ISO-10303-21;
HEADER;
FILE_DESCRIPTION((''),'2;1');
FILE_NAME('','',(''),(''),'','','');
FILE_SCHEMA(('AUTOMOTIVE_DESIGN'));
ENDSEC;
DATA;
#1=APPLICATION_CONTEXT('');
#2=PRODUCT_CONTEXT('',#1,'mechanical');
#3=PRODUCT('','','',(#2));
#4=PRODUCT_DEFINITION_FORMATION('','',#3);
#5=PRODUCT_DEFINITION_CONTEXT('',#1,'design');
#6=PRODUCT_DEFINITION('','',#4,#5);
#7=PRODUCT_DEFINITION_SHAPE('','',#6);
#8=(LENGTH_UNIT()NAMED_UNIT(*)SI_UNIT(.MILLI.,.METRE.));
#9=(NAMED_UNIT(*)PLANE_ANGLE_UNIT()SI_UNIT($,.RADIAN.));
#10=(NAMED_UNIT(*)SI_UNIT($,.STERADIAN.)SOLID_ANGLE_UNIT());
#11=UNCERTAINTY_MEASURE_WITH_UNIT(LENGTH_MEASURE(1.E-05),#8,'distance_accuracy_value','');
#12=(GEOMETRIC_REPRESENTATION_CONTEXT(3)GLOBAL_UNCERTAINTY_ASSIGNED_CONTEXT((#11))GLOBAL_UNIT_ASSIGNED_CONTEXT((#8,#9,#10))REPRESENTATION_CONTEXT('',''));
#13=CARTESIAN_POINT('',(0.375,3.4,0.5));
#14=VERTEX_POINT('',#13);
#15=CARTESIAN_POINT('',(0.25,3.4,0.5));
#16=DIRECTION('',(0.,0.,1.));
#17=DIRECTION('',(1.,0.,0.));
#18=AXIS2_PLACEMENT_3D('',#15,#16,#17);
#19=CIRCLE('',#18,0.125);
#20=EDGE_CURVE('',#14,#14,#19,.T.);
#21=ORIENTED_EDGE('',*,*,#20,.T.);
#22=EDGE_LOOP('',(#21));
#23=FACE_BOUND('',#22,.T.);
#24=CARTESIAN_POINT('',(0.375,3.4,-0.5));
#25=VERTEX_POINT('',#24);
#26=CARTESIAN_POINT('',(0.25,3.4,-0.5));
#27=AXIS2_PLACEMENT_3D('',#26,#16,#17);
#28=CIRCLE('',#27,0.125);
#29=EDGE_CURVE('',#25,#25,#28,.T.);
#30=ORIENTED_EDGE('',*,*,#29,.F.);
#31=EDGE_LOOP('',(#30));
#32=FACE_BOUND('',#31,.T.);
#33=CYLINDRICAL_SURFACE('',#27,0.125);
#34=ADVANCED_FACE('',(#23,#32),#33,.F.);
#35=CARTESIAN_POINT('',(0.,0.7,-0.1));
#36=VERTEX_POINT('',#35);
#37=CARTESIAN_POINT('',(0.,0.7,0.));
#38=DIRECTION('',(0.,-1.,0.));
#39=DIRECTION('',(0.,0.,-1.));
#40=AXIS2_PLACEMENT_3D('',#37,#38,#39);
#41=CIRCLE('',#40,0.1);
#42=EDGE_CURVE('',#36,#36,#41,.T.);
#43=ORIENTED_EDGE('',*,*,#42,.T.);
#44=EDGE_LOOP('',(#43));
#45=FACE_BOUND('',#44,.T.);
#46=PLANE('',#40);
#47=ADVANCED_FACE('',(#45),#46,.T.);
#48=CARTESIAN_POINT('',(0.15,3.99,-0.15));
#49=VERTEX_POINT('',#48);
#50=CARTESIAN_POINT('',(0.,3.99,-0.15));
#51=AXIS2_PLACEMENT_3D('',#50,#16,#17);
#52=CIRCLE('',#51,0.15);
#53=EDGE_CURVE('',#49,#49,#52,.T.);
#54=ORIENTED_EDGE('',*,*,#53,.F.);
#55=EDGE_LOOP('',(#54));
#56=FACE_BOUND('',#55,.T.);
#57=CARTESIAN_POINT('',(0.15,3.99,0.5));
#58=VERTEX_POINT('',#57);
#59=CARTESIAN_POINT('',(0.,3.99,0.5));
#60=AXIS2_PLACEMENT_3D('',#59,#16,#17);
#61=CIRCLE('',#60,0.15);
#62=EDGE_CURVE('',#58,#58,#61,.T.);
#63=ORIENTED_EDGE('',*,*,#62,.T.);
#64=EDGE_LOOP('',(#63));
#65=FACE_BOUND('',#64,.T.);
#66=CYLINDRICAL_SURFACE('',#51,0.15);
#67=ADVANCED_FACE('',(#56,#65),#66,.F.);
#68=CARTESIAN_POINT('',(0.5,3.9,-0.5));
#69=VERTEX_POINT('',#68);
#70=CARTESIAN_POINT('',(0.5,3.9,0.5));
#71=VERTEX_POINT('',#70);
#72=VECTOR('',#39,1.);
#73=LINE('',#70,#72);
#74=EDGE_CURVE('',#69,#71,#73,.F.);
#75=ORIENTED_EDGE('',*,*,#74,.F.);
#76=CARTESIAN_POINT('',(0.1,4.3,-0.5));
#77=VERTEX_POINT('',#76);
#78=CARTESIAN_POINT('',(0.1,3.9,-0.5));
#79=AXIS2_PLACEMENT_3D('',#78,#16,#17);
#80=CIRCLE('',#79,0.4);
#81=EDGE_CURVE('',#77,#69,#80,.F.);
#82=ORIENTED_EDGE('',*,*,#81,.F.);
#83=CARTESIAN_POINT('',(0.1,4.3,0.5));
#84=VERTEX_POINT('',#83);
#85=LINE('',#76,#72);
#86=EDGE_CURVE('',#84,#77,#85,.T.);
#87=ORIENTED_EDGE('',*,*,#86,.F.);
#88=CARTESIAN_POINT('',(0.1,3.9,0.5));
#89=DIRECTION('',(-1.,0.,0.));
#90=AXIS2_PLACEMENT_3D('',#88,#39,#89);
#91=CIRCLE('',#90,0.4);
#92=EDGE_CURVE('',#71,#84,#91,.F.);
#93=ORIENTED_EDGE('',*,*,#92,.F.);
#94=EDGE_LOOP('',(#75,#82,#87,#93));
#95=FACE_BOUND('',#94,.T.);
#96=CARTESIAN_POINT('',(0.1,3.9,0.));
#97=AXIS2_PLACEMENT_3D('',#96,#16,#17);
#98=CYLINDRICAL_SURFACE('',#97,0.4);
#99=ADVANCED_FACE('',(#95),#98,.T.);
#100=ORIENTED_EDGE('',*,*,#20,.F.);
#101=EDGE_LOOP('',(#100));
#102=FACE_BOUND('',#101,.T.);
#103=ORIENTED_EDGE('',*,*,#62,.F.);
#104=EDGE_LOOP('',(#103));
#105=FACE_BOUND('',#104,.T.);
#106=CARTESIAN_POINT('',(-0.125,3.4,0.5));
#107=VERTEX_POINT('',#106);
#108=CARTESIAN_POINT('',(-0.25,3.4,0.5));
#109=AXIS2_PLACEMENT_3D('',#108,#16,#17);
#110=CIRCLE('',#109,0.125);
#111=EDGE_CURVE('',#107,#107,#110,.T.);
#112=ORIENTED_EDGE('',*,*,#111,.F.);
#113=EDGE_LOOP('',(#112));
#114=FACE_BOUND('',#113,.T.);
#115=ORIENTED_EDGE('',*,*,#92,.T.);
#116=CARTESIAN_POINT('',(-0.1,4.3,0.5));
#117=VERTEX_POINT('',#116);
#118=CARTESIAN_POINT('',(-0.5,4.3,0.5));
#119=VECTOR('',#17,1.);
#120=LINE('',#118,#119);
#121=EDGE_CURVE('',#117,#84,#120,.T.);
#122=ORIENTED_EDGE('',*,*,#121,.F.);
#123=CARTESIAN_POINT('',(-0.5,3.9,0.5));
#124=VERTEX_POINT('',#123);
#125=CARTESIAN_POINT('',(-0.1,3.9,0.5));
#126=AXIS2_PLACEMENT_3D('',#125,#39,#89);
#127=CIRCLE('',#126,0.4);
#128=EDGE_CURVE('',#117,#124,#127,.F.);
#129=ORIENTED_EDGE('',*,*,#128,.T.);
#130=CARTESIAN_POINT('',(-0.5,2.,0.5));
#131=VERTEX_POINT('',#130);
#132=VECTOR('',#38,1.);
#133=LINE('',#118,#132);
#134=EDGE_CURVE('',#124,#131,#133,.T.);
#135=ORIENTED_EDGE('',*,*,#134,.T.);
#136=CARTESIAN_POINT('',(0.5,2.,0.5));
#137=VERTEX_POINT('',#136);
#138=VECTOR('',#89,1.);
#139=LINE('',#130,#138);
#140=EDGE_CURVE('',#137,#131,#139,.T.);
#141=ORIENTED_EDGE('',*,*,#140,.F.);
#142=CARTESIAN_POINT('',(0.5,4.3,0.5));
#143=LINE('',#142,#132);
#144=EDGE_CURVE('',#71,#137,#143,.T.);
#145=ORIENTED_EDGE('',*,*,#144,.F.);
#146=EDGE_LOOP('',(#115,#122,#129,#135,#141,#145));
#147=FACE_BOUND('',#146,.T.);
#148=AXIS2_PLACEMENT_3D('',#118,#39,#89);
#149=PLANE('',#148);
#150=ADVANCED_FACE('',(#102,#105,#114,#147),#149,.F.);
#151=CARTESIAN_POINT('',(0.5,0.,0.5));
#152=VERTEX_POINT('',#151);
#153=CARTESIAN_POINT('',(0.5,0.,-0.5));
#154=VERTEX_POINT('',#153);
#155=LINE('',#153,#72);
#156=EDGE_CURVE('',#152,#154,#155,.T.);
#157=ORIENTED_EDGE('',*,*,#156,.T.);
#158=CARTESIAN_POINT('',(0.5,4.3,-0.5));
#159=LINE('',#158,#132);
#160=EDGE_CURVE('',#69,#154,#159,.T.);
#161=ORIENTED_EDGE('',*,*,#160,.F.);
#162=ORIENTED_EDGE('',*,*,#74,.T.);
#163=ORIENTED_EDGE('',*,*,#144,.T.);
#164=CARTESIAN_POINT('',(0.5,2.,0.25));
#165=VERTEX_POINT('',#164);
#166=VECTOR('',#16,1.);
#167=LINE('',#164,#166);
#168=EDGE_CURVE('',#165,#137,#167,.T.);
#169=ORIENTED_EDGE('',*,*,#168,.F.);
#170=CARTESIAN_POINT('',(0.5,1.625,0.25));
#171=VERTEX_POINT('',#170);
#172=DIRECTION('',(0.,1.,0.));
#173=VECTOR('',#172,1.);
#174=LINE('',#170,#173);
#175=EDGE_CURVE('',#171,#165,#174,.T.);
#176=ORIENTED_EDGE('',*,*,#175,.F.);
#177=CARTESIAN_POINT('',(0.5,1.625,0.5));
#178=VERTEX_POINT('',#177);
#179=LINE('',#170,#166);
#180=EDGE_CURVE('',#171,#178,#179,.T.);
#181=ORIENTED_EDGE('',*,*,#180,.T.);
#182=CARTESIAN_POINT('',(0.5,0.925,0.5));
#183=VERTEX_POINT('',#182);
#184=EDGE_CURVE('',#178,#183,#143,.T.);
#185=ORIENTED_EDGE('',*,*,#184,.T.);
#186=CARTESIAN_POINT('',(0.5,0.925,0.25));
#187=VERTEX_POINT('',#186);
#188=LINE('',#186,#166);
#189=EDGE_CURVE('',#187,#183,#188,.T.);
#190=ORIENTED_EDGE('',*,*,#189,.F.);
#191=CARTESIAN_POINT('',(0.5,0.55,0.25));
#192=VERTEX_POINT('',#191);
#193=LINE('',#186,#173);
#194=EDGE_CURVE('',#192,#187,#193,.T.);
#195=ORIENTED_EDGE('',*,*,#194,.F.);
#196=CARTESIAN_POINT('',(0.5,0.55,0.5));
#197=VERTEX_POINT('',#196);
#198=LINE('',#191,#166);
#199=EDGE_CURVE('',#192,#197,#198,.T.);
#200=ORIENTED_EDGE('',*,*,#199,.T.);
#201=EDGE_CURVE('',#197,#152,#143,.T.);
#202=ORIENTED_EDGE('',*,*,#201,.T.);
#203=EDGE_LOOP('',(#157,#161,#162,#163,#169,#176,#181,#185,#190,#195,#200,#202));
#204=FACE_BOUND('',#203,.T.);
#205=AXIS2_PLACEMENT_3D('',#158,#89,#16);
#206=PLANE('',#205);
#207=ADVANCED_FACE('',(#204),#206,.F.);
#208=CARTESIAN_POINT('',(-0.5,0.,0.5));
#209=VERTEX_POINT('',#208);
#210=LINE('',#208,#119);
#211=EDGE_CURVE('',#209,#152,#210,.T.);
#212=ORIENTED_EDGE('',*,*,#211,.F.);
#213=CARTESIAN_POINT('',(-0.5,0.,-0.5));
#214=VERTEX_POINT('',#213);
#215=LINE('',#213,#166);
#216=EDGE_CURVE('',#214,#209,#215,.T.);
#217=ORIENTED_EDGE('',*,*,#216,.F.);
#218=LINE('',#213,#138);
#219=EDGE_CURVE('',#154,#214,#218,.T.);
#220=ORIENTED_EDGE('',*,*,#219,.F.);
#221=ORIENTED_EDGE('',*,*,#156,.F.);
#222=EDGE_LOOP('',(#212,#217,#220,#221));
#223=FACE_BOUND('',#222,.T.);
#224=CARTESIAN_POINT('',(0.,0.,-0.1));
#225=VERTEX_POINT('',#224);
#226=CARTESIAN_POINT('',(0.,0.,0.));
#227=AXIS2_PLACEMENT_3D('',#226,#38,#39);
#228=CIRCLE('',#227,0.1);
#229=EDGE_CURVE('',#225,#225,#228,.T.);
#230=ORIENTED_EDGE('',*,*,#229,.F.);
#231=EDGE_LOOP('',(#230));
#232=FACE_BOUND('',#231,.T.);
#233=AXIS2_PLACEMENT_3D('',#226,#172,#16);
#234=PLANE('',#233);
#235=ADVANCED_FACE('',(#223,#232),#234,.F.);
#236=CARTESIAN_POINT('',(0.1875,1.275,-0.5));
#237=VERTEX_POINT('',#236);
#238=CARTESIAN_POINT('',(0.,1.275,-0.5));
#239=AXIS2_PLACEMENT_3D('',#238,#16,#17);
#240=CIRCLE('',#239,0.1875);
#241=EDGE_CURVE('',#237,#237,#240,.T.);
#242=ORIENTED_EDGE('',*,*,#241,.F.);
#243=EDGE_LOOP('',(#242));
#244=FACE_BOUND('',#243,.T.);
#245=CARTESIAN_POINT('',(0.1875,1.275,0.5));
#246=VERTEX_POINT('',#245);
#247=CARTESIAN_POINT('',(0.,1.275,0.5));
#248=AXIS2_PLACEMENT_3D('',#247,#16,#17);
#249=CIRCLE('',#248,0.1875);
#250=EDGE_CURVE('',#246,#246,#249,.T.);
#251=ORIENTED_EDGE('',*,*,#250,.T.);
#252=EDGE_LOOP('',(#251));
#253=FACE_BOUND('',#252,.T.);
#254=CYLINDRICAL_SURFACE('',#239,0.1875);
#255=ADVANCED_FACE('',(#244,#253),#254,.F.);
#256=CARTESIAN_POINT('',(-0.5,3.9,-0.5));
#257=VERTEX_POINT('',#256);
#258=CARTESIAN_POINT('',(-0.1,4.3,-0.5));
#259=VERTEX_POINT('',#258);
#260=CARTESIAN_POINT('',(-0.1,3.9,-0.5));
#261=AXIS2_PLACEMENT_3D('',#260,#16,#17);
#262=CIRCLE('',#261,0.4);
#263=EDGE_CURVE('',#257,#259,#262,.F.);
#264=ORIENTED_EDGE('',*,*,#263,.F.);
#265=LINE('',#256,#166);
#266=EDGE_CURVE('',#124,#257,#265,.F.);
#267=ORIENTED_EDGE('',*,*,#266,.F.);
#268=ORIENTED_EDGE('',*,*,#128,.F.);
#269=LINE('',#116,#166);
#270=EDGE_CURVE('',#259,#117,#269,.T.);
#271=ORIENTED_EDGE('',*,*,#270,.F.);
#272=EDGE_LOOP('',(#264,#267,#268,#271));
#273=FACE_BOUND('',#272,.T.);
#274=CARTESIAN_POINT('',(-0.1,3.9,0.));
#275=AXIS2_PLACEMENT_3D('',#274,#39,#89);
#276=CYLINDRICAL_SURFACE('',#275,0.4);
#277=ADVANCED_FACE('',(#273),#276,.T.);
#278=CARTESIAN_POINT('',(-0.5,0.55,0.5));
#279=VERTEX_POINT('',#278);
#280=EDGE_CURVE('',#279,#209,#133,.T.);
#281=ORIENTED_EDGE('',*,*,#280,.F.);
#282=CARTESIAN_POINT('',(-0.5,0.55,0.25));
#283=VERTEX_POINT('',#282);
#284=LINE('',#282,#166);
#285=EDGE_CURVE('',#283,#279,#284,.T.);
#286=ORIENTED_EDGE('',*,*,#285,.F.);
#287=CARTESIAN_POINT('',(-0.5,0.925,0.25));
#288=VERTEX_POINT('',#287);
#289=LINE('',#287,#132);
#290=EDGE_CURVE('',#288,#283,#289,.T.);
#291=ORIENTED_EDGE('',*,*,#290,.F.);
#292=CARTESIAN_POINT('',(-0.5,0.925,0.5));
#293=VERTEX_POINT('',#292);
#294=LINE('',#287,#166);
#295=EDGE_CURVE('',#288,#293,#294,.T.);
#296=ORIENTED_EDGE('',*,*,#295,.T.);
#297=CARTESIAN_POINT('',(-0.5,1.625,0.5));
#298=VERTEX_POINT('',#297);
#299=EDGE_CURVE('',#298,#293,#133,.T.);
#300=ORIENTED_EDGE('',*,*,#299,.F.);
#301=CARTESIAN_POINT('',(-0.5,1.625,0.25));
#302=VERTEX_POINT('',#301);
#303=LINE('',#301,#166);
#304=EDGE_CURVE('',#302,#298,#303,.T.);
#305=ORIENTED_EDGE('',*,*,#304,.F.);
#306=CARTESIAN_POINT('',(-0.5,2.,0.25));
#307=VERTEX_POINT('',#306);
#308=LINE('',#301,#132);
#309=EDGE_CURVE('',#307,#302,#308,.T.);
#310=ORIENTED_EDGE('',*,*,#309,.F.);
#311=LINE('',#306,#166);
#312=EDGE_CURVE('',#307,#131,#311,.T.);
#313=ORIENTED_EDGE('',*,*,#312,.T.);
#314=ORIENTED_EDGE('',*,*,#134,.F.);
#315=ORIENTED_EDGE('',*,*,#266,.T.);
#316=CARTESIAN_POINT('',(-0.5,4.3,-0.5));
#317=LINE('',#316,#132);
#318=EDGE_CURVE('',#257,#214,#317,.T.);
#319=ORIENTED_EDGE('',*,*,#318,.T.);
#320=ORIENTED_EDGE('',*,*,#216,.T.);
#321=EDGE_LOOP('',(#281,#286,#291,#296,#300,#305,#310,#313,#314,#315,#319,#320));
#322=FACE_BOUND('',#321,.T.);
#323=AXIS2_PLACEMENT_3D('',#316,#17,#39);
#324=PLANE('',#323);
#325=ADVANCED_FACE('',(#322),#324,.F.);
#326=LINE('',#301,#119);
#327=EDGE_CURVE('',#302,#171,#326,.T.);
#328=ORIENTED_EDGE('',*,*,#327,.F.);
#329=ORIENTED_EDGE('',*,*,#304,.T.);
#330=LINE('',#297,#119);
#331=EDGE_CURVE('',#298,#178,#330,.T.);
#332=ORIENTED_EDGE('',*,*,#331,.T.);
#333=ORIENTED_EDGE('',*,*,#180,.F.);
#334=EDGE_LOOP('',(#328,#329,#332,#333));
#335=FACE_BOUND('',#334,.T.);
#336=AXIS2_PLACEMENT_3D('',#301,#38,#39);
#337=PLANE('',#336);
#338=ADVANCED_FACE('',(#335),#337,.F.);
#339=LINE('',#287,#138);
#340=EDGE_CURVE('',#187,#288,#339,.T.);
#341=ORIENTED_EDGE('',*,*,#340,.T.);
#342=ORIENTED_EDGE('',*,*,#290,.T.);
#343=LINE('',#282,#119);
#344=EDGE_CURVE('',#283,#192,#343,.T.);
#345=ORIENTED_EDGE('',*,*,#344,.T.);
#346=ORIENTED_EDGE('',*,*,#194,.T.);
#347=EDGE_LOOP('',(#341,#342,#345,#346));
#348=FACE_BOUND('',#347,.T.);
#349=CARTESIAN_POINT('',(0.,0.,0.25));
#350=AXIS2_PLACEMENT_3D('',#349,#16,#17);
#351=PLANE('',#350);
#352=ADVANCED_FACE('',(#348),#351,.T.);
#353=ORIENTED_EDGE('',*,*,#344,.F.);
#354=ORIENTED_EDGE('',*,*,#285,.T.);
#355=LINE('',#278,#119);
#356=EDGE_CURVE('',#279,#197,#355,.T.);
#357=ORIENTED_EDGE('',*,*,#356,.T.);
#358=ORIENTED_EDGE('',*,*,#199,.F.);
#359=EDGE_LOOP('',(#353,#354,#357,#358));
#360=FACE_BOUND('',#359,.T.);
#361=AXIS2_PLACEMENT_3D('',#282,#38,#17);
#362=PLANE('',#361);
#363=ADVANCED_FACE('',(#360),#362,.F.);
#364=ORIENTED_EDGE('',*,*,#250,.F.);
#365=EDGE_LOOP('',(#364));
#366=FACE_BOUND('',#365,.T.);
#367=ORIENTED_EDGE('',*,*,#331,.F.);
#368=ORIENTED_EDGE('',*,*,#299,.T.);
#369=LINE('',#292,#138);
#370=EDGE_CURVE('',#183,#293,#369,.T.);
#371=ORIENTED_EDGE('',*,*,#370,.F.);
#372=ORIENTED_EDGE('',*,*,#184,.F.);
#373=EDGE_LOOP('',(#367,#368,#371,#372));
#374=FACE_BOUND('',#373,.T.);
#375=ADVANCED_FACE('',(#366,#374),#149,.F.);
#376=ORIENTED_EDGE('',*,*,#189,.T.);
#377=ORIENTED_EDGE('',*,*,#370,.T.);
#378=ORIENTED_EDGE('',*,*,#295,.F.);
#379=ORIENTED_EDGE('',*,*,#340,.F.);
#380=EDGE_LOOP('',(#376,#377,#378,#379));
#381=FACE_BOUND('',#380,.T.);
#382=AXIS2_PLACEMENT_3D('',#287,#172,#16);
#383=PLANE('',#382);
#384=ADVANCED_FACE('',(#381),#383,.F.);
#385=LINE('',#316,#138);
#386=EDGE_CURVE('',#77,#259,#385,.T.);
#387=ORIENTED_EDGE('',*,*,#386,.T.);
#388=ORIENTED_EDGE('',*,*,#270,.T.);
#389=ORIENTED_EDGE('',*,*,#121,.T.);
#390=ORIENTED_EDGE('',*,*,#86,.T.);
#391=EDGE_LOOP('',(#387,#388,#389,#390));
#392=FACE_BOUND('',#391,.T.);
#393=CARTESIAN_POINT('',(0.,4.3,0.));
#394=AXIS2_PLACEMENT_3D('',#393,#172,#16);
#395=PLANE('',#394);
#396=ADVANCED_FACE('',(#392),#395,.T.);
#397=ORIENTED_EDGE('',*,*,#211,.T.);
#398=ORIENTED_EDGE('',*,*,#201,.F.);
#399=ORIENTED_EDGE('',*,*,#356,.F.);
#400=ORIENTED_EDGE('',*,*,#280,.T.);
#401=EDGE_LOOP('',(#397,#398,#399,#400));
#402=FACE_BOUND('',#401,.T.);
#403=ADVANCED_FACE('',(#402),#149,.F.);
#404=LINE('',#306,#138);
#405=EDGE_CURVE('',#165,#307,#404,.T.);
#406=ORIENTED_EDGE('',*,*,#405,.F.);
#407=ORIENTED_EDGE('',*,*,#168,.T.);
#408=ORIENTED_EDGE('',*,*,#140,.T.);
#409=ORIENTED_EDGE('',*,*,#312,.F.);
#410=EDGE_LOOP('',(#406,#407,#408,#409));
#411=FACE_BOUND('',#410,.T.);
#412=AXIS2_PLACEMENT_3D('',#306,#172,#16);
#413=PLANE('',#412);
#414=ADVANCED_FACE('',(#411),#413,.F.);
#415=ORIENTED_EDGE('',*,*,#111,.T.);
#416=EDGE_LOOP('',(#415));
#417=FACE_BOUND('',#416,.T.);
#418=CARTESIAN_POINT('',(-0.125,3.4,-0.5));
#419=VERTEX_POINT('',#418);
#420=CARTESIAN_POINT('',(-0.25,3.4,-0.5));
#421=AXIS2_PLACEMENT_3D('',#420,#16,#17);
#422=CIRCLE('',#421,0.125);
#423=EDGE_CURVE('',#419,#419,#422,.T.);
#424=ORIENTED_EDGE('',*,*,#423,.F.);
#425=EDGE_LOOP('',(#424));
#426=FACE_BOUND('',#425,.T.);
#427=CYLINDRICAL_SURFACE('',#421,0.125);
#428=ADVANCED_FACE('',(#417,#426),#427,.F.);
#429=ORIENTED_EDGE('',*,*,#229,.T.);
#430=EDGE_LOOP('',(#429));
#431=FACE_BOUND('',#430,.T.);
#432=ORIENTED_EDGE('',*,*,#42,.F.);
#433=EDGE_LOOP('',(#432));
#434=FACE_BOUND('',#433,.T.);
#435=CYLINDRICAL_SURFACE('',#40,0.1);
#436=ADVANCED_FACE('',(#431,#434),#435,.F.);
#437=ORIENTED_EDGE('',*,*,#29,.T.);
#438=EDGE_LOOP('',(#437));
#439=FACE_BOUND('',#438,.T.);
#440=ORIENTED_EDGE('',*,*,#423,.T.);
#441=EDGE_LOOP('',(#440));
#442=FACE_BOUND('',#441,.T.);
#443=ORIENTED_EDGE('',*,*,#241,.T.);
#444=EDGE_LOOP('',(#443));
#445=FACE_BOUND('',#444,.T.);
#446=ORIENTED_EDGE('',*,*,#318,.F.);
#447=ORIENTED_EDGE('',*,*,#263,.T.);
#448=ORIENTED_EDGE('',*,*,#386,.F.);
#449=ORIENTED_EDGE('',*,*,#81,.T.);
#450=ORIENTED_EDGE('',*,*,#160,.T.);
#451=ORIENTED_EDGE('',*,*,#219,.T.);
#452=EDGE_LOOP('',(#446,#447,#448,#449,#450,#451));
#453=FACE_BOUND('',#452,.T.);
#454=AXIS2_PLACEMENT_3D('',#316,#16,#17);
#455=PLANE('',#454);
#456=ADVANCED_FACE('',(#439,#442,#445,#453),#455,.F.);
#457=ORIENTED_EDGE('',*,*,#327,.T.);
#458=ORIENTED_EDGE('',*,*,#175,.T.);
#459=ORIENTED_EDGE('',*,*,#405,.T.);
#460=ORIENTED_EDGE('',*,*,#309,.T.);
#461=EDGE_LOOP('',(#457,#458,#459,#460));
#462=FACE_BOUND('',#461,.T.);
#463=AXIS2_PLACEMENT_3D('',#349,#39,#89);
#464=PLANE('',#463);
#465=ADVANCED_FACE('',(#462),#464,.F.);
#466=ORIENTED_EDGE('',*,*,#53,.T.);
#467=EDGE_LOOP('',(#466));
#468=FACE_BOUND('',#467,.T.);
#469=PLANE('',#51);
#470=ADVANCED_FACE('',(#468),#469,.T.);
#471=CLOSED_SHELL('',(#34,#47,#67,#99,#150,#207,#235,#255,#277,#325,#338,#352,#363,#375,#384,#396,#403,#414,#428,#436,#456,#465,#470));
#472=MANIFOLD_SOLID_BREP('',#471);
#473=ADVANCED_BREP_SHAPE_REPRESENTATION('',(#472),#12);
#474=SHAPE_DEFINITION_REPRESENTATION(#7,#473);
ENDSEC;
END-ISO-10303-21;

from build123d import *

# Parameters (mm, degrees)
SKETCH2_W           = 1
SKETCH2_H           = 1
BOSS_EXTRUDE1_DEPTH = 4.3
SKETCH3_R           = 0.1
CUT_EXTRUDE1_DEPTH  = 0.7
SKETCH4_W           = 1
SKETCH4_H           = 0.375
CUT_EXTRUDE2_DEPTH  = 0.25
SKETCH5_R           = 0.1875
CUT_EXTRUDE3_DEPTH  = 1
SKETCH7_R           = 0.15
CUT_EXTRUDE6_DEPTH  = 0.65
SKETCH8_R           = 0.125
CUT_EXTRUDE7_DEPTH  = 1
FILLET1_R           = 0.4
SKETCH6_W           = 1
SKETCH6_H           = 0.375
CUT_EXTRUDE8_DEPTH  = 0.25


with BuildPart() as part:
    # Sketch2 → Boss-Extrude1 (new body)
    with BuildSketch(Plane(origin=(0, 0, 0), x_dir=(1, 0, 0), z_dir=(0, 1, 0))):
        Rectangle(SKETCH2_W, SKETCH2_H)
    extrude(amount=BOSS_EXTRUDE1_DEPTH)

    # Sketch3 → Cut-Extrude1 (cut)
    with BuildSketch(Plane.XZ):
        with Locations(Location((0, 0, 0), (0, 0, 270))):
            Circle(SKETCH3_R)
    extrude(amount=-CUT_EXTRUDE1_DEPTH, mode=Mode.SUBTRACT)

    # Sketch4 → Cut-Extrude2 (cut)
    with BuildSketch(Plane.XY.offset(0.5)):
        with Locations((0, 1.8125)):
            Rectangle(SKETCH4_W, SKETCH4_H)
    extrude(amount=-CUT_EXTRUDE2_DEPTH, mode=Mode.SUBTRACT)

    # Sketch5 → Cut-Extrude3 (cut)
    with BuildSketch(Plane.XY.offset(0.5)):
        with Locations((0, 1.275)):
            Circle(SKETCH5_R)
    extrude(amount=-CUT_EXTRUDE3_DEPTH, mode=Mode.SUBTRACT)

    # Sketch7 → Cut-Extrude6 (cut)
    with BuildSketch(Plane.XY.offset(0.5)):
        with Locations((0, 3.99)):
            Circle(SKETCH7_R)
    extrude(amount=-CUT_EXTRUDE6_DEPTH, mode=Mode.SUBTRACT)

    # Sketch8 → Cut-Extrude7 (cut)
    with BuildSketch(Plane.XY.offset(0.5)):
        with Locations((-0.25, 3.4)):
            Circle(SKETCH8_R)
        with Locations((0.25, 3.4)):
            Circle(SKETCH8_R)
    extrude(amount=-CUT_EXTRUDE7_DEPTH, mode=Mode.SUBTRACT)

    # Fillet1
    fillet1_edges = [part.edges().sort_by_distance(p)[0] for p in [
        (-0.5, 4.3, 0),
        (0.5, 4.3, 0),
    ]]
    fillet(fillet1_edges, radius=FILLET1_R)

    # Sketch6 → Cut-Extrude8 (cut)
    with BuildSketch(Plane.XY.offset(0.5)):
        with Locations((0, 0.7375)):
            Rectangle(SKETCH6_W, SKETCH6_H)
    extrude(amount=-CUT_EXTRUDE8_DEPTH, mode=Mode.SUBTRACT)


solid = part.part
